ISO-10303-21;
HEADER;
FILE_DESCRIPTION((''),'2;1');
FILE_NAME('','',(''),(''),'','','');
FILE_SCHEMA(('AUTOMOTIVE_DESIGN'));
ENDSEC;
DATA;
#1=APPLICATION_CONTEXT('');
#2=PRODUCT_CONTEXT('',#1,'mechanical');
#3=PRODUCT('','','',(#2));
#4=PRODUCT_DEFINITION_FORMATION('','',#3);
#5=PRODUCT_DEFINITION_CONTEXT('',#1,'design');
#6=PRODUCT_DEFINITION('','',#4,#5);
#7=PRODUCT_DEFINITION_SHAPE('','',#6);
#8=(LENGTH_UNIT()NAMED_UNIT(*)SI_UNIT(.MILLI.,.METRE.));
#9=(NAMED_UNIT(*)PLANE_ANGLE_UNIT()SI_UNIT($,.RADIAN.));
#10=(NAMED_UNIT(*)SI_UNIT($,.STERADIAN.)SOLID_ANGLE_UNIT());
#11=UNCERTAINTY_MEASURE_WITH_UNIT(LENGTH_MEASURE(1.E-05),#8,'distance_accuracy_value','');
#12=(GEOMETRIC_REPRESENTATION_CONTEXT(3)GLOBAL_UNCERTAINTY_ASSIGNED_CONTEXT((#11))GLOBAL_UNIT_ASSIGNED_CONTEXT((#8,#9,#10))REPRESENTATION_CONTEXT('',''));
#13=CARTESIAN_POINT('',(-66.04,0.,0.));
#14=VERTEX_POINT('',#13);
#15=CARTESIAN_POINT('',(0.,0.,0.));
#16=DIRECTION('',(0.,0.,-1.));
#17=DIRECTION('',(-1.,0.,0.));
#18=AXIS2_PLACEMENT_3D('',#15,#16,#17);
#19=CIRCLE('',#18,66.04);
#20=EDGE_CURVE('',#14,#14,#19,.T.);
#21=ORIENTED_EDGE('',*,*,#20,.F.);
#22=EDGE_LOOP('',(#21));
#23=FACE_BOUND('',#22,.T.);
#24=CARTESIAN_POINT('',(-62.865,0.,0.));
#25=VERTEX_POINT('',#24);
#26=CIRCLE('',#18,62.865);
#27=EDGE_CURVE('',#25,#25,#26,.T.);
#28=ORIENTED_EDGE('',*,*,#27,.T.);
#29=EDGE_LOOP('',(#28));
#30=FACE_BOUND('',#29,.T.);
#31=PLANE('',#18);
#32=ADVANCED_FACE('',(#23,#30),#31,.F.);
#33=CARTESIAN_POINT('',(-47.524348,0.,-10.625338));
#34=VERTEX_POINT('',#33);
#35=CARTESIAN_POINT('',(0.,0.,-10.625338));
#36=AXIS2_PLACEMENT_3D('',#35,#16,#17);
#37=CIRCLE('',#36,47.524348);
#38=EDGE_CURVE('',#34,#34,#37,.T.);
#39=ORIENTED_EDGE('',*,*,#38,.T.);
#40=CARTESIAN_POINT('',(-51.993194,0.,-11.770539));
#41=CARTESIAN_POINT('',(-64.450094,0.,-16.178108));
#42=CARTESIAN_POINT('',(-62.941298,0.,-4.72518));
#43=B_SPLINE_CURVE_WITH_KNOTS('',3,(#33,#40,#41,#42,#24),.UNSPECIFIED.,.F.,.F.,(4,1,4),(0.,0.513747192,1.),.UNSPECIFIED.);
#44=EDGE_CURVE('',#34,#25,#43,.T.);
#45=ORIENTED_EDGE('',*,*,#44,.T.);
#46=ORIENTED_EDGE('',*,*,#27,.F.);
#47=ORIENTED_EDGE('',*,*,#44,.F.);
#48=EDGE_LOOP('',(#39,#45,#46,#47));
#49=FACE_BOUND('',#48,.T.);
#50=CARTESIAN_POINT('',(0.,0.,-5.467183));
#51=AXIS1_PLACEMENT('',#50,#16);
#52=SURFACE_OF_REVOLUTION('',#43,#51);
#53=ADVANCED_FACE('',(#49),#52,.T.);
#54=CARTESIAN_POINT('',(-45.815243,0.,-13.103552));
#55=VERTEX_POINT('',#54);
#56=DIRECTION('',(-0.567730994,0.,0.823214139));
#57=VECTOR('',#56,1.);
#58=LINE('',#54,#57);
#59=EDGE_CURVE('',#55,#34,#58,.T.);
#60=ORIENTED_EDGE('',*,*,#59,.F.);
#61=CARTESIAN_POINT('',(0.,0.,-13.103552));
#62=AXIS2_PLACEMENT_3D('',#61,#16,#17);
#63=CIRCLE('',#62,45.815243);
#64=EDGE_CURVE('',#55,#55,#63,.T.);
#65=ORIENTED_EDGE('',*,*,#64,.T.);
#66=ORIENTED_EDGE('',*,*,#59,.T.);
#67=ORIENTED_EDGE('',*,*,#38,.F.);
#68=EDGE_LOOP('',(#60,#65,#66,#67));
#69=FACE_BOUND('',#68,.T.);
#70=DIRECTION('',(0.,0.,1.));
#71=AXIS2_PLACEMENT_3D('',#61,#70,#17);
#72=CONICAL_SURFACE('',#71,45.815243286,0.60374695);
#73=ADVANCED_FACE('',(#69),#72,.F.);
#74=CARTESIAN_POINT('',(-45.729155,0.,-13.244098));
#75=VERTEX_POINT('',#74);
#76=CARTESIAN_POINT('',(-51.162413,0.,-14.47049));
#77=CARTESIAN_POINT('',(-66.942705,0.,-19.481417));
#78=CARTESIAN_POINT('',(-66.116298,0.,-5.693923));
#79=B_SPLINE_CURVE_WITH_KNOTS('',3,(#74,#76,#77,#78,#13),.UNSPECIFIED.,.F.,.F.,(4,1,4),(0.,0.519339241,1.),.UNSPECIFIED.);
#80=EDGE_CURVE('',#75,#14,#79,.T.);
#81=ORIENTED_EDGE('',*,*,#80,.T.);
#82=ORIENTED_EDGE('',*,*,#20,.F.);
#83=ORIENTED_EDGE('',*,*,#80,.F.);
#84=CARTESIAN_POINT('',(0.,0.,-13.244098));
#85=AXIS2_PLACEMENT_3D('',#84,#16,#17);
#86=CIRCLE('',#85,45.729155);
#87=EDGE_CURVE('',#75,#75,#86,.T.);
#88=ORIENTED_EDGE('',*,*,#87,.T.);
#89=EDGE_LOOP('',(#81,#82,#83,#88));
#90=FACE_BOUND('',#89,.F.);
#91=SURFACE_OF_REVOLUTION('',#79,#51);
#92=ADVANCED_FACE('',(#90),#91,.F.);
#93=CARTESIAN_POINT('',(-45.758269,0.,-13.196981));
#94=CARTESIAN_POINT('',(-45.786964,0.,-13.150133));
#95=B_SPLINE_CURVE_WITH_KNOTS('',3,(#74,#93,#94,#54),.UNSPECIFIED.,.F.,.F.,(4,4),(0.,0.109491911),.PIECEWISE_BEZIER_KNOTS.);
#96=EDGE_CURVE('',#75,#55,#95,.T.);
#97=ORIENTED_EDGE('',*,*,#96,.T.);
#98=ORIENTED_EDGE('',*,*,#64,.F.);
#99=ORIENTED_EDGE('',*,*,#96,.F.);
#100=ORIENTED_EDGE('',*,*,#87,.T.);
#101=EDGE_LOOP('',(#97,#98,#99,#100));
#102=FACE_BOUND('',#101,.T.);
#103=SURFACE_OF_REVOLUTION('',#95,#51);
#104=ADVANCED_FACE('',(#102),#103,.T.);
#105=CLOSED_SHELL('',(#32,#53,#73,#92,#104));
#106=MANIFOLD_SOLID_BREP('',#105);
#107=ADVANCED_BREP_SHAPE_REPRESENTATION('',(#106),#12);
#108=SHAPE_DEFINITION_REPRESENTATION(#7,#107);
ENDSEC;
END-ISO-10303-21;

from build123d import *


with BuildPart() as f1:
    # F0 (on Front) → F1 (revolve)
    with BuildSketch(Plane.XZ):
        with BuildLine():
            add(Edge.make_bspline(
                [(-45.7291547225, -13.2440982021), (-51.1624130004, -14.4704903146), (-66.9427053756, -19.4814168787), (-66.1162982009, -5.6939229647), (-66.04, 0)],
                knots=[0, 0, 0, 0, 0.5193392415, 1, 1, 1, 1], degree=3))
            add(Edge.make_bspline(
                [(-45.7291547225, -13.2440982021), (-45.7582691746, -13.1969807905), (-45.7869637101, -13.1501334243), (-45.8152432856, -13.1035515177)],
                knots=[0, 0, 0, 0, 0.1094919115, 0.1094919115, 0.1094919115, 0.1094919115], degree=3))
            Line((-45.8152432856, -13.1035515177), (-47.5243476509, -10.6253375507))
            add(Edge.make_bspline(
                [(-47.5243476509, -10.6253375507), (-51.9931941539, -11.7705394011), (-64.4500940862, -16.1781076568), (-62.9412982009, -4.7251796279), (-62.865, 0)],
                knots=[0, 0, 0, 0, 0.5137471915, 1, 1, 1, 1], degree=3))
            Line((-62.865, 0), (-66.04, 0))
        make_face()
    revolve(axis=Axis((0, 0, -5.4671834223), (0, 0, -1)))


solid = f1.part
